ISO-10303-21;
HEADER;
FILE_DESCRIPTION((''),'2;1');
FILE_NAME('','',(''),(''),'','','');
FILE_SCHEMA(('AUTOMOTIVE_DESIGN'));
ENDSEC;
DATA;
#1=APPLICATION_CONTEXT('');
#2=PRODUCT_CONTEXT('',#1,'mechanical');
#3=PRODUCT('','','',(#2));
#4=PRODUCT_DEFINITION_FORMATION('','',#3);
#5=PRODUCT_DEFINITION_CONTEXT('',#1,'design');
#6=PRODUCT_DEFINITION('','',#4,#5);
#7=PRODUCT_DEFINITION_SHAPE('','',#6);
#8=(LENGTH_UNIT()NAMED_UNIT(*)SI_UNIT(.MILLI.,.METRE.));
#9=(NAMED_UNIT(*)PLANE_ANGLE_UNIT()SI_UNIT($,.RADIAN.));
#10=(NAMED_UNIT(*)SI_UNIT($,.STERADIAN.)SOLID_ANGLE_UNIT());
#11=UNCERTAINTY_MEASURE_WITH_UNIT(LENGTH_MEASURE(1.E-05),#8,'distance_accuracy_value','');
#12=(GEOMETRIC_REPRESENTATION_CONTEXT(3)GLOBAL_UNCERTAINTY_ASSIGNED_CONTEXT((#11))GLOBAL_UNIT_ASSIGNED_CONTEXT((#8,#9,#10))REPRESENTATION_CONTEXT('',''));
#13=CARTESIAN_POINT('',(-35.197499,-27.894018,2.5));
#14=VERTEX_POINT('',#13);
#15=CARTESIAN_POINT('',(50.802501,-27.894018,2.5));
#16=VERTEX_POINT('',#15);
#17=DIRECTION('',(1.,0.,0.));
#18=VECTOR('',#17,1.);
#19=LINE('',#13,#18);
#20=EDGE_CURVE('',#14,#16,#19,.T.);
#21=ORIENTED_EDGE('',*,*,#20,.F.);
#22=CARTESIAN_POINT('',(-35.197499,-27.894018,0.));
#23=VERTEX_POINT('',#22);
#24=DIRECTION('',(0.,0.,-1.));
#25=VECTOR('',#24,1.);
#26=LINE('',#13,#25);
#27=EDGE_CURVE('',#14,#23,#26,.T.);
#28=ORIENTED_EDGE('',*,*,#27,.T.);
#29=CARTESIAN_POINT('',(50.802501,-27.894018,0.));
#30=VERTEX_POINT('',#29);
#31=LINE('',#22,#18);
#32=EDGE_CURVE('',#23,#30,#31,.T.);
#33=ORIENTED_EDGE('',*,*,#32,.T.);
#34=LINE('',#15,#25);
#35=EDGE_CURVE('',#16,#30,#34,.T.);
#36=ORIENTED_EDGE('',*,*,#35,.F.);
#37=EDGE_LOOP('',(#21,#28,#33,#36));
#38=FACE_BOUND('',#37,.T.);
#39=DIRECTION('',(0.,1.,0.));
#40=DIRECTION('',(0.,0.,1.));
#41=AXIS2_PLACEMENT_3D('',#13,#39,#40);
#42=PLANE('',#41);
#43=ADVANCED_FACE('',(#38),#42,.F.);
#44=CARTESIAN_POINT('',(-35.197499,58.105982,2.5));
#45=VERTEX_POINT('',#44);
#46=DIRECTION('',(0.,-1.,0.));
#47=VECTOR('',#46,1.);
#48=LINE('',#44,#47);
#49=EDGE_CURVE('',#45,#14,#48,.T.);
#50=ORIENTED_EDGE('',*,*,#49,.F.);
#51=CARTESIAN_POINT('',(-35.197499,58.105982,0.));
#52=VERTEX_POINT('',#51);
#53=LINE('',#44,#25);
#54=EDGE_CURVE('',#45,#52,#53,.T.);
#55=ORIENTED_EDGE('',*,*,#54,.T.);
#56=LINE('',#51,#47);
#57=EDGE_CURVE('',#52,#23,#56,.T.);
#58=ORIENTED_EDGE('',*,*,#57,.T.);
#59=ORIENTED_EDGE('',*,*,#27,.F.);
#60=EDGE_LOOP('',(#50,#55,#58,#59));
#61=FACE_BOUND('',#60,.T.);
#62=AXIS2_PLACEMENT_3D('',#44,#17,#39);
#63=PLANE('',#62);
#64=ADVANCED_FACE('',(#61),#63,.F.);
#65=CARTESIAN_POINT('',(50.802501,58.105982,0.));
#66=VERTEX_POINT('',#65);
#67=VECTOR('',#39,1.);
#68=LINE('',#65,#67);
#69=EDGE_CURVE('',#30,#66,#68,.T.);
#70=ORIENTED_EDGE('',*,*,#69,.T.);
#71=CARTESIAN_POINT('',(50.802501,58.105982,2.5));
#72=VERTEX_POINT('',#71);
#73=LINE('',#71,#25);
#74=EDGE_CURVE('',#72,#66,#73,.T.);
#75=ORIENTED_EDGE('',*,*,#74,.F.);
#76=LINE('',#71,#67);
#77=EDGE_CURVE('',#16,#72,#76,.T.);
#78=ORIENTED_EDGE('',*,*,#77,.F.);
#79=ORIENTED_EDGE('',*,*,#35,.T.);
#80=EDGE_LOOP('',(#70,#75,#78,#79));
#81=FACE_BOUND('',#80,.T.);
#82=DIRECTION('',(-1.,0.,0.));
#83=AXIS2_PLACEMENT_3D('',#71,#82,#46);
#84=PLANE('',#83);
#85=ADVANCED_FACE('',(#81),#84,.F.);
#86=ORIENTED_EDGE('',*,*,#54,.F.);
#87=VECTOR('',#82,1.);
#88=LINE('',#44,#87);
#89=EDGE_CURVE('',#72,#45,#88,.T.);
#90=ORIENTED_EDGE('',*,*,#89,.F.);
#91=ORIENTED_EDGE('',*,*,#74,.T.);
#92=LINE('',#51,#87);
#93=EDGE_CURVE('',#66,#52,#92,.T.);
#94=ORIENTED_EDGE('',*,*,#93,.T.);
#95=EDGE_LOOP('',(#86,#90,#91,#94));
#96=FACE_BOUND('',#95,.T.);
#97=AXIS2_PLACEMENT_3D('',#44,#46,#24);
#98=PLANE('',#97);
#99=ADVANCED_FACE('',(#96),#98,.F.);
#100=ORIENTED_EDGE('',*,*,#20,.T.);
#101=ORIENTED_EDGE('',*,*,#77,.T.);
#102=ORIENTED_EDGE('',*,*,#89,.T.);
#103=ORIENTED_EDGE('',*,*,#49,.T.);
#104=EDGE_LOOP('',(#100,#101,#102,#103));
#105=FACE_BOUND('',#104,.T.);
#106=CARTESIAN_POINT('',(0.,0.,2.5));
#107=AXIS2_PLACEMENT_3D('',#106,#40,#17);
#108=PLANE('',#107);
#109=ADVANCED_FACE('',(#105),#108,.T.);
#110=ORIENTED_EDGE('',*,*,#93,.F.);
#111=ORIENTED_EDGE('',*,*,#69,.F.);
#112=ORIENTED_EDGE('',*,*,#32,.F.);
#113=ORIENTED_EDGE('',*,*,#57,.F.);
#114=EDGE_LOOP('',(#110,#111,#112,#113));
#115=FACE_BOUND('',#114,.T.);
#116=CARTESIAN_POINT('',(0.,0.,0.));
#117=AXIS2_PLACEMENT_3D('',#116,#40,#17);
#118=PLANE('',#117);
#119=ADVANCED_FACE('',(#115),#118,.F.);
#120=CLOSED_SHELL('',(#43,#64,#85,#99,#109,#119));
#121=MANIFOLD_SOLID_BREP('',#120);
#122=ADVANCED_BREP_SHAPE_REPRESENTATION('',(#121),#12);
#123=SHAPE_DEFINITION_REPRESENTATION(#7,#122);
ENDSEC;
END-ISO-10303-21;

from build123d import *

# Parameters (mm, degrees)
SKETCH1_W           = 86
SKETCH1_H           = 86
BOSS_EXTRUDE1_DEPTH = 2.5


with BuildPart() as part:
    # Sketch1 → Boss-Extrude1 (new body)
    with BuildSketch(Plane.XY):
        with Locations((7.802500728, 15.105981827)):
            Rectangle(SKETCH1_W, SKETCH1_H)
    extrude(amount=BOSS_EXTRUDE1_DEPTH)


solid = part.part
